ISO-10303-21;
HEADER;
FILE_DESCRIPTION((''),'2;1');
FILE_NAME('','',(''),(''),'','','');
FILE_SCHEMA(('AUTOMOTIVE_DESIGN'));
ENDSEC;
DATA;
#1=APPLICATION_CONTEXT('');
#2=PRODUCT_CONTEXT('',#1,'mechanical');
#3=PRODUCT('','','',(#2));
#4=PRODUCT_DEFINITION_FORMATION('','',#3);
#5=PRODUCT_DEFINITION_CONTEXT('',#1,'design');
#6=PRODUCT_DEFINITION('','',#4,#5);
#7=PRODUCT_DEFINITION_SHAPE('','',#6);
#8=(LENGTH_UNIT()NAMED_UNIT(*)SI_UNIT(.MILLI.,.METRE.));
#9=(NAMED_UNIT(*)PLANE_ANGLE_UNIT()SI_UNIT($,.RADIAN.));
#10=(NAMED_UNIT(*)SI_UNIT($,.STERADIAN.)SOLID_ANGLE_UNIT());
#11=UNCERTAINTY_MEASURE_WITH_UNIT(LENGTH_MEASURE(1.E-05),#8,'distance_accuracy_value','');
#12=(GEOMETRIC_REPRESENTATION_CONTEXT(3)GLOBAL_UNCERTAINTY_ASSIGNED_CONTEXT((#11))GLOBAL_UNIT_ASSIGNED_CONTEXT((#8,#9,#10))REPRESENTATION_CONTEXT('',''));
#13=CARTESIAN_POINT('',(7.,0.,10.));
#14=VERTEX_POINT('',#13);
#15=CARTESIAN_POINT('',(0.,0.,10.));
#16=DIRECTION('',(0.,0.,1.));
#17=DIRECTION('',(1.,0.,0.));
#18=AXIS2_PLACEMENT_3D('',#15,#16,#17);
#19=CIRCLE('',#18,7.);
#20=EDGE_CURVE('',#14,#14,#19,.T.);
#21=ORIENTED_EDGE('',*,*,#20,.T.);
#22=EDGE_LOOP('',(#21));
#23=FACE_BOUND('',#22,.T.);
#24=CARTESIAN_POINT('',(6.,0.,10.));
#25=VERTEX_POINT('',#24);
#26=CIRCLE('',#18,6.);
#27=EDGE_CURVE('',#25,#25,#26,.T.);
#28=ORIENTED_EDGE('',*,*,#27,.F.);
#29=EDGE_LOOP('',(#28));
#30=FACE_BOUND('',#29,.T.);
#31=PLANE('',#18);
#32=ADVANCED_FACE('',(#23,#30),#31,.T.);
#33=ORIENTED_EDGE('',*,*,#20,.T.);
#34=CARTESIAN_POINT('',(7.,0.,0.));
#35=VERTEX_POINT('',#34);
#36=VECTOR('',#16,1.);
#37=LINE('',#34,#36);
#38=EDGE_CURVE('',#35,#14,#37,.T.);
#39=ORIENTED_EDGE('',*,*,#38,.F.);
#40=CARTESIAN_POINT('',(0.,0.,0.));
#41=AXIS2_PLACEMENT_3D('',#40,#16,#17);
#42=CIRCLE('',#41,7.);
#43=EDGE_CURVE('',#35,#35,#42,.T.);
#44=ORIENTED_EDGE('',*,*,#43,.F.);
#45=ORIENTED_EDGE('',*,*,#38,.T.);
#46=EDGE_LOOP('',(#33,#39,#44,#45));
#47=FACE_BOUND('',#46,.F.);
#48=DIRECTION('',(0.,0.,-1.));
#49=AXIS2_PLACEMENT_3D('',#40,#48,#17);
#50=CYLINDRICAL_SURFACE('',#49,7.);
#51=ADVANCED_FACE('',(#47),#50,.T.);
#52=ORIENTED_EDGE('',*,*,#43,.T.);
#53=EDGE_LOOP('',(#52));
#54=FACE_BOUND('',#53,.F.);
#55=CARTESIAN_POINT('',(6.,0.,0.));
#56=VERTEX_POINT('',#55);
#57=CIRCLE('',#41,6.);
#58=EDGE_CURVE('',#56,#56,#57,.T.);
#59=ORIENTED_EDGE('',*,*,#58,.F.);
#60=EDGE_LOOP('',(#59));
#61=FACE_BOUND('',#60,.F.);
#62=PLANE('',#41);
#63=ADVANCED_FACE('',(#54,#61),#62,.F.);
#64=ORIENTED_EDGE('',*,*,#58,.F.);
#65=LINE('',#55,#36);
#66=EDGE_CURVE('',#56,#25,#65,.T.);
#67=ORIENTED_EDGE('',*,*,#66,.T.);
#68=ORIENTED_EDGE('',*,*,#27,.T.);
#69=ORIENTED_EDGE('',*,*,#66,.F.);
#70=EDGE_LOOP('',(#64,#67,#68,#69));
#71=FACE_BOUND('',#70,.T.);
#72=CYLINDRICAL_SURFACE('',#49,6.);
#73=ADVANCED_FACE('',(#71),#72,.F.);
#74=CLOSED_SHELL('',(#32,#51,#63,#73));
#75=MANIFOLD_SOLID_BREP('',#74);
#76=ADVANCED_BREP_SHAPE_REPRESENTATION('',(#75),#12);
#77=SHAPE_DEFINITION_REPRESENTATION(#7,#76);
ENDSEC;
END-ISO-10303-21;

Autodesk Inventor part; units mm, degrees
ref_plane "YZ Plane" through (0, 0, 0) normal (1, 0, 0) x (0, 1, 0)
ref_plane "XZ Plane" through (0, 0, 0) normal (0, 1, 0) x (-1, 0, 0)
ref_plane "XY Plane" through (0, 0, 0) normal (0, 0, 1) x (1, 0, 0)
sketch "スケッチ1" plane through (0, 0, 0) normal (0, 0, 1) x (1, 0, 0)
  circle A0 centre (0, 0) radius 7
  circle A1 centre (0, 0) radius 6
  dimension "d0" = 14
  dimension "d1" = 12
extrude "押し出し1" add sketch "スケッチ1" along normal blind 10
properties part number "オイレス　12-14 8" material "アセタール樹脂、黒"
